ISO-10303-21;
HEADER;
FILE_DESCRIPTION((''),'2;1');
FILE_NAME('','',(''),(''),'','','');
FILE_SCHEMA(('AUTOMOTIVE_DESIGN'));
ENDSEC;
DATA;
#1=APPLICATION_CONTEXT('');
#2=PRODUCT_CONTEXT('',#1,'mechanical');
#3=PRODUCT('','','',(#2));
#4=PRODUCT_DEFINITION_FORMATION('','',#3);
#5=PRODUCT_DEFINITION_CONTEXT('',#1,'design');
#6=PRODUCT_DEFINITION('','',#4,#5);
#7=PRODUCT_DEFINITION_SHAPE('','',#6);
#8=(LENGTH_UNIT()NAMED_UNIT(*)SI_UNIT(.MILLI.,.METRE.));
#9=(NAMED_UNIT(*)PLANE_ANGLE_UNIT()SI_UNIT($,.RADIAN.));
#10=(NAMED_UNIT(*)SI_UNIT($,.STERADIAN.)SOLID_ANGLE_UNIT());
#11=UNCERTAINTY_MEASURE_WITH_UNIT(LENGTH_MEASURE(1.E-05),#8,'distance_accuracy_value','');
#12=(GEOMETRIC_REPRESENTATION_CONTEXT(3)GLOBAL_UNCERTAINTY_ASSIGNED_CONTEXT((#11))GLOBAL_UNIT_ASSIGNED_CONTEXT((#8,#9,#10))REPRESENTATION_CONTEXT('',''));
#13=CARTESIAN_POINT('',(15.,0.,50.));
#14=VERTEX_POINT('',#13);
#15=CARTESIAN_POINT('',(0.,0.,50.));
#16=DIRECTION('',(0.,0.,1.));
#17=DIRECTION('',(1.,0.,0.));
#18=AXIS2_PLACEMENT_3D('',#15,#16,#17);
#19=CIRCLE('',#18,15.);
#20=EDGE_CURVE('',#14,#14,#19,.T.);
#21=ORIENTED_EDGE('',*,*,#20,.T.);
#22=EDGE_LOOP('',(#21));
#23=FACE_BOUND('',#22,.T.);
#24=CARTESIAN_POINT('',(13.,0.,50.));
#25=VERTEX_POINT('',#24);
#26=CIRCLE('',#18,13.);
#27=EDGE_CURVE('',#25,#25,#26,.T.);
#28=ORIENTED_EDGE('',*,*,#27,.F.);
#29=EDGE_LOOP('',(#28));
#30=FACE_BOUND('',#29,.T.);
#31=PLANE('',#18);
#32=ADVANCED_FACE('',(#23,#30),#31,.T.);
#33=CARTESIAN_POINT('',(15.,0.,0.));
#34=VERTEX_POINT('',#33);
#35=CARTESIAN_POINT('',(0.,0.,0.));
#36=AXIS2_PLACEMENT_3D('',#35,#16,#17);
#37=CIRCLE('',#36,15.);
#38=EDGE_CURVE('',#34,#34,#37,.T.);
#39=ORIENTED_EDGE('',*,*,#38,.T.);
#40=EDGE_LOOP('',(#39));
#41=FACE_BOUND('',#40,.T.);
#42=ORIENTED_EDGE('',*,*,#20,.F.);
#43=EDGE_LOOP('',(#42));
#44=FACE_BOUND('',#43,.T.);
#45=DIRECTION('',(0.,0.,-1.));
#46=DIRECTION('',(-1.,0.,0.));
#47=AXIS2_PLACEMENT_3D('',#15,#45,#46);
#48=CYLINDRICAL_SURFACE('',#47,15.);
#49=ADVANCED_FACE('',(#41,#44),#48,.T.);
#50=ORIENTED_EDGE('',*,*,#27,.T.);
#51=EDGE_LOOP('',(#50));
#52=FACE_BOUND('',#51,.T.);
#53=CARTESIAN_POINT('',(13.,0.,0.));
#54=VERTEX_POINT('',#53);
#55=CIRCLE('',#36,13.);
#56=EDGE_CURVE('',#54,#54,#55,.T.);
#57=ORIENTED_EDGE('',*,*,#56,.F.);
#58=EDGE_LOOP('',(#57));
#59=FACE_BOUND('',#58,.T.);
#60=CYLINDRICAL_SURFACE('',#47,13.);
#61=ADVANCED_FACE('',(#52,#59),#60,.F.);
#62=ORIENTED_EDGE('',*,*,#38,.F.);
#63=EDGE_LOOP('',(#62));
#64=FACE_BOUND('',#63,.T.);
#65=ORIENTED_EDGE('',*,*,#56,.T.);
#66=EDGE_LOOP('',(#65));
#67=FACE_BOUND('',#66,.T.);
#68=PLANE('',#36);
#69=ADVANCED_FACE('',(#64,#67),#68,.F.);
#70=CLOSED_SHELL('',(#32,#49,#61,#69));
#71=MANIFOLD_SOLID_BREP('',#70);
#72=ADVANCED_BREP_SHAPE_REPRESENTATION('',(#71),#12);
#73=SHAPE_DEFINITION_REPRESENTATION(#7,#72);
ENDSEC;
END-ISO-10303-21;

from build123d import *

# Parameters (mm, degrees)
ESQUISSE1_R        = 15
ESQUISSE1_R_2      = 13
BOSS_EXTRU_1_DEPTH = 50


with BuildPart() as part:
    # Esquisse1 → Boss.-Extru.1 (new body)
    with BuildSketch(Plane.XY):
        Circle(ESQUISSE1_R)
        Circle(ESQUISSE1_R_2, mode=Mode.SUBTRACT)
    extrude(amount=BOSS_EXTRU_1_DEPTH)


solid = part.part
